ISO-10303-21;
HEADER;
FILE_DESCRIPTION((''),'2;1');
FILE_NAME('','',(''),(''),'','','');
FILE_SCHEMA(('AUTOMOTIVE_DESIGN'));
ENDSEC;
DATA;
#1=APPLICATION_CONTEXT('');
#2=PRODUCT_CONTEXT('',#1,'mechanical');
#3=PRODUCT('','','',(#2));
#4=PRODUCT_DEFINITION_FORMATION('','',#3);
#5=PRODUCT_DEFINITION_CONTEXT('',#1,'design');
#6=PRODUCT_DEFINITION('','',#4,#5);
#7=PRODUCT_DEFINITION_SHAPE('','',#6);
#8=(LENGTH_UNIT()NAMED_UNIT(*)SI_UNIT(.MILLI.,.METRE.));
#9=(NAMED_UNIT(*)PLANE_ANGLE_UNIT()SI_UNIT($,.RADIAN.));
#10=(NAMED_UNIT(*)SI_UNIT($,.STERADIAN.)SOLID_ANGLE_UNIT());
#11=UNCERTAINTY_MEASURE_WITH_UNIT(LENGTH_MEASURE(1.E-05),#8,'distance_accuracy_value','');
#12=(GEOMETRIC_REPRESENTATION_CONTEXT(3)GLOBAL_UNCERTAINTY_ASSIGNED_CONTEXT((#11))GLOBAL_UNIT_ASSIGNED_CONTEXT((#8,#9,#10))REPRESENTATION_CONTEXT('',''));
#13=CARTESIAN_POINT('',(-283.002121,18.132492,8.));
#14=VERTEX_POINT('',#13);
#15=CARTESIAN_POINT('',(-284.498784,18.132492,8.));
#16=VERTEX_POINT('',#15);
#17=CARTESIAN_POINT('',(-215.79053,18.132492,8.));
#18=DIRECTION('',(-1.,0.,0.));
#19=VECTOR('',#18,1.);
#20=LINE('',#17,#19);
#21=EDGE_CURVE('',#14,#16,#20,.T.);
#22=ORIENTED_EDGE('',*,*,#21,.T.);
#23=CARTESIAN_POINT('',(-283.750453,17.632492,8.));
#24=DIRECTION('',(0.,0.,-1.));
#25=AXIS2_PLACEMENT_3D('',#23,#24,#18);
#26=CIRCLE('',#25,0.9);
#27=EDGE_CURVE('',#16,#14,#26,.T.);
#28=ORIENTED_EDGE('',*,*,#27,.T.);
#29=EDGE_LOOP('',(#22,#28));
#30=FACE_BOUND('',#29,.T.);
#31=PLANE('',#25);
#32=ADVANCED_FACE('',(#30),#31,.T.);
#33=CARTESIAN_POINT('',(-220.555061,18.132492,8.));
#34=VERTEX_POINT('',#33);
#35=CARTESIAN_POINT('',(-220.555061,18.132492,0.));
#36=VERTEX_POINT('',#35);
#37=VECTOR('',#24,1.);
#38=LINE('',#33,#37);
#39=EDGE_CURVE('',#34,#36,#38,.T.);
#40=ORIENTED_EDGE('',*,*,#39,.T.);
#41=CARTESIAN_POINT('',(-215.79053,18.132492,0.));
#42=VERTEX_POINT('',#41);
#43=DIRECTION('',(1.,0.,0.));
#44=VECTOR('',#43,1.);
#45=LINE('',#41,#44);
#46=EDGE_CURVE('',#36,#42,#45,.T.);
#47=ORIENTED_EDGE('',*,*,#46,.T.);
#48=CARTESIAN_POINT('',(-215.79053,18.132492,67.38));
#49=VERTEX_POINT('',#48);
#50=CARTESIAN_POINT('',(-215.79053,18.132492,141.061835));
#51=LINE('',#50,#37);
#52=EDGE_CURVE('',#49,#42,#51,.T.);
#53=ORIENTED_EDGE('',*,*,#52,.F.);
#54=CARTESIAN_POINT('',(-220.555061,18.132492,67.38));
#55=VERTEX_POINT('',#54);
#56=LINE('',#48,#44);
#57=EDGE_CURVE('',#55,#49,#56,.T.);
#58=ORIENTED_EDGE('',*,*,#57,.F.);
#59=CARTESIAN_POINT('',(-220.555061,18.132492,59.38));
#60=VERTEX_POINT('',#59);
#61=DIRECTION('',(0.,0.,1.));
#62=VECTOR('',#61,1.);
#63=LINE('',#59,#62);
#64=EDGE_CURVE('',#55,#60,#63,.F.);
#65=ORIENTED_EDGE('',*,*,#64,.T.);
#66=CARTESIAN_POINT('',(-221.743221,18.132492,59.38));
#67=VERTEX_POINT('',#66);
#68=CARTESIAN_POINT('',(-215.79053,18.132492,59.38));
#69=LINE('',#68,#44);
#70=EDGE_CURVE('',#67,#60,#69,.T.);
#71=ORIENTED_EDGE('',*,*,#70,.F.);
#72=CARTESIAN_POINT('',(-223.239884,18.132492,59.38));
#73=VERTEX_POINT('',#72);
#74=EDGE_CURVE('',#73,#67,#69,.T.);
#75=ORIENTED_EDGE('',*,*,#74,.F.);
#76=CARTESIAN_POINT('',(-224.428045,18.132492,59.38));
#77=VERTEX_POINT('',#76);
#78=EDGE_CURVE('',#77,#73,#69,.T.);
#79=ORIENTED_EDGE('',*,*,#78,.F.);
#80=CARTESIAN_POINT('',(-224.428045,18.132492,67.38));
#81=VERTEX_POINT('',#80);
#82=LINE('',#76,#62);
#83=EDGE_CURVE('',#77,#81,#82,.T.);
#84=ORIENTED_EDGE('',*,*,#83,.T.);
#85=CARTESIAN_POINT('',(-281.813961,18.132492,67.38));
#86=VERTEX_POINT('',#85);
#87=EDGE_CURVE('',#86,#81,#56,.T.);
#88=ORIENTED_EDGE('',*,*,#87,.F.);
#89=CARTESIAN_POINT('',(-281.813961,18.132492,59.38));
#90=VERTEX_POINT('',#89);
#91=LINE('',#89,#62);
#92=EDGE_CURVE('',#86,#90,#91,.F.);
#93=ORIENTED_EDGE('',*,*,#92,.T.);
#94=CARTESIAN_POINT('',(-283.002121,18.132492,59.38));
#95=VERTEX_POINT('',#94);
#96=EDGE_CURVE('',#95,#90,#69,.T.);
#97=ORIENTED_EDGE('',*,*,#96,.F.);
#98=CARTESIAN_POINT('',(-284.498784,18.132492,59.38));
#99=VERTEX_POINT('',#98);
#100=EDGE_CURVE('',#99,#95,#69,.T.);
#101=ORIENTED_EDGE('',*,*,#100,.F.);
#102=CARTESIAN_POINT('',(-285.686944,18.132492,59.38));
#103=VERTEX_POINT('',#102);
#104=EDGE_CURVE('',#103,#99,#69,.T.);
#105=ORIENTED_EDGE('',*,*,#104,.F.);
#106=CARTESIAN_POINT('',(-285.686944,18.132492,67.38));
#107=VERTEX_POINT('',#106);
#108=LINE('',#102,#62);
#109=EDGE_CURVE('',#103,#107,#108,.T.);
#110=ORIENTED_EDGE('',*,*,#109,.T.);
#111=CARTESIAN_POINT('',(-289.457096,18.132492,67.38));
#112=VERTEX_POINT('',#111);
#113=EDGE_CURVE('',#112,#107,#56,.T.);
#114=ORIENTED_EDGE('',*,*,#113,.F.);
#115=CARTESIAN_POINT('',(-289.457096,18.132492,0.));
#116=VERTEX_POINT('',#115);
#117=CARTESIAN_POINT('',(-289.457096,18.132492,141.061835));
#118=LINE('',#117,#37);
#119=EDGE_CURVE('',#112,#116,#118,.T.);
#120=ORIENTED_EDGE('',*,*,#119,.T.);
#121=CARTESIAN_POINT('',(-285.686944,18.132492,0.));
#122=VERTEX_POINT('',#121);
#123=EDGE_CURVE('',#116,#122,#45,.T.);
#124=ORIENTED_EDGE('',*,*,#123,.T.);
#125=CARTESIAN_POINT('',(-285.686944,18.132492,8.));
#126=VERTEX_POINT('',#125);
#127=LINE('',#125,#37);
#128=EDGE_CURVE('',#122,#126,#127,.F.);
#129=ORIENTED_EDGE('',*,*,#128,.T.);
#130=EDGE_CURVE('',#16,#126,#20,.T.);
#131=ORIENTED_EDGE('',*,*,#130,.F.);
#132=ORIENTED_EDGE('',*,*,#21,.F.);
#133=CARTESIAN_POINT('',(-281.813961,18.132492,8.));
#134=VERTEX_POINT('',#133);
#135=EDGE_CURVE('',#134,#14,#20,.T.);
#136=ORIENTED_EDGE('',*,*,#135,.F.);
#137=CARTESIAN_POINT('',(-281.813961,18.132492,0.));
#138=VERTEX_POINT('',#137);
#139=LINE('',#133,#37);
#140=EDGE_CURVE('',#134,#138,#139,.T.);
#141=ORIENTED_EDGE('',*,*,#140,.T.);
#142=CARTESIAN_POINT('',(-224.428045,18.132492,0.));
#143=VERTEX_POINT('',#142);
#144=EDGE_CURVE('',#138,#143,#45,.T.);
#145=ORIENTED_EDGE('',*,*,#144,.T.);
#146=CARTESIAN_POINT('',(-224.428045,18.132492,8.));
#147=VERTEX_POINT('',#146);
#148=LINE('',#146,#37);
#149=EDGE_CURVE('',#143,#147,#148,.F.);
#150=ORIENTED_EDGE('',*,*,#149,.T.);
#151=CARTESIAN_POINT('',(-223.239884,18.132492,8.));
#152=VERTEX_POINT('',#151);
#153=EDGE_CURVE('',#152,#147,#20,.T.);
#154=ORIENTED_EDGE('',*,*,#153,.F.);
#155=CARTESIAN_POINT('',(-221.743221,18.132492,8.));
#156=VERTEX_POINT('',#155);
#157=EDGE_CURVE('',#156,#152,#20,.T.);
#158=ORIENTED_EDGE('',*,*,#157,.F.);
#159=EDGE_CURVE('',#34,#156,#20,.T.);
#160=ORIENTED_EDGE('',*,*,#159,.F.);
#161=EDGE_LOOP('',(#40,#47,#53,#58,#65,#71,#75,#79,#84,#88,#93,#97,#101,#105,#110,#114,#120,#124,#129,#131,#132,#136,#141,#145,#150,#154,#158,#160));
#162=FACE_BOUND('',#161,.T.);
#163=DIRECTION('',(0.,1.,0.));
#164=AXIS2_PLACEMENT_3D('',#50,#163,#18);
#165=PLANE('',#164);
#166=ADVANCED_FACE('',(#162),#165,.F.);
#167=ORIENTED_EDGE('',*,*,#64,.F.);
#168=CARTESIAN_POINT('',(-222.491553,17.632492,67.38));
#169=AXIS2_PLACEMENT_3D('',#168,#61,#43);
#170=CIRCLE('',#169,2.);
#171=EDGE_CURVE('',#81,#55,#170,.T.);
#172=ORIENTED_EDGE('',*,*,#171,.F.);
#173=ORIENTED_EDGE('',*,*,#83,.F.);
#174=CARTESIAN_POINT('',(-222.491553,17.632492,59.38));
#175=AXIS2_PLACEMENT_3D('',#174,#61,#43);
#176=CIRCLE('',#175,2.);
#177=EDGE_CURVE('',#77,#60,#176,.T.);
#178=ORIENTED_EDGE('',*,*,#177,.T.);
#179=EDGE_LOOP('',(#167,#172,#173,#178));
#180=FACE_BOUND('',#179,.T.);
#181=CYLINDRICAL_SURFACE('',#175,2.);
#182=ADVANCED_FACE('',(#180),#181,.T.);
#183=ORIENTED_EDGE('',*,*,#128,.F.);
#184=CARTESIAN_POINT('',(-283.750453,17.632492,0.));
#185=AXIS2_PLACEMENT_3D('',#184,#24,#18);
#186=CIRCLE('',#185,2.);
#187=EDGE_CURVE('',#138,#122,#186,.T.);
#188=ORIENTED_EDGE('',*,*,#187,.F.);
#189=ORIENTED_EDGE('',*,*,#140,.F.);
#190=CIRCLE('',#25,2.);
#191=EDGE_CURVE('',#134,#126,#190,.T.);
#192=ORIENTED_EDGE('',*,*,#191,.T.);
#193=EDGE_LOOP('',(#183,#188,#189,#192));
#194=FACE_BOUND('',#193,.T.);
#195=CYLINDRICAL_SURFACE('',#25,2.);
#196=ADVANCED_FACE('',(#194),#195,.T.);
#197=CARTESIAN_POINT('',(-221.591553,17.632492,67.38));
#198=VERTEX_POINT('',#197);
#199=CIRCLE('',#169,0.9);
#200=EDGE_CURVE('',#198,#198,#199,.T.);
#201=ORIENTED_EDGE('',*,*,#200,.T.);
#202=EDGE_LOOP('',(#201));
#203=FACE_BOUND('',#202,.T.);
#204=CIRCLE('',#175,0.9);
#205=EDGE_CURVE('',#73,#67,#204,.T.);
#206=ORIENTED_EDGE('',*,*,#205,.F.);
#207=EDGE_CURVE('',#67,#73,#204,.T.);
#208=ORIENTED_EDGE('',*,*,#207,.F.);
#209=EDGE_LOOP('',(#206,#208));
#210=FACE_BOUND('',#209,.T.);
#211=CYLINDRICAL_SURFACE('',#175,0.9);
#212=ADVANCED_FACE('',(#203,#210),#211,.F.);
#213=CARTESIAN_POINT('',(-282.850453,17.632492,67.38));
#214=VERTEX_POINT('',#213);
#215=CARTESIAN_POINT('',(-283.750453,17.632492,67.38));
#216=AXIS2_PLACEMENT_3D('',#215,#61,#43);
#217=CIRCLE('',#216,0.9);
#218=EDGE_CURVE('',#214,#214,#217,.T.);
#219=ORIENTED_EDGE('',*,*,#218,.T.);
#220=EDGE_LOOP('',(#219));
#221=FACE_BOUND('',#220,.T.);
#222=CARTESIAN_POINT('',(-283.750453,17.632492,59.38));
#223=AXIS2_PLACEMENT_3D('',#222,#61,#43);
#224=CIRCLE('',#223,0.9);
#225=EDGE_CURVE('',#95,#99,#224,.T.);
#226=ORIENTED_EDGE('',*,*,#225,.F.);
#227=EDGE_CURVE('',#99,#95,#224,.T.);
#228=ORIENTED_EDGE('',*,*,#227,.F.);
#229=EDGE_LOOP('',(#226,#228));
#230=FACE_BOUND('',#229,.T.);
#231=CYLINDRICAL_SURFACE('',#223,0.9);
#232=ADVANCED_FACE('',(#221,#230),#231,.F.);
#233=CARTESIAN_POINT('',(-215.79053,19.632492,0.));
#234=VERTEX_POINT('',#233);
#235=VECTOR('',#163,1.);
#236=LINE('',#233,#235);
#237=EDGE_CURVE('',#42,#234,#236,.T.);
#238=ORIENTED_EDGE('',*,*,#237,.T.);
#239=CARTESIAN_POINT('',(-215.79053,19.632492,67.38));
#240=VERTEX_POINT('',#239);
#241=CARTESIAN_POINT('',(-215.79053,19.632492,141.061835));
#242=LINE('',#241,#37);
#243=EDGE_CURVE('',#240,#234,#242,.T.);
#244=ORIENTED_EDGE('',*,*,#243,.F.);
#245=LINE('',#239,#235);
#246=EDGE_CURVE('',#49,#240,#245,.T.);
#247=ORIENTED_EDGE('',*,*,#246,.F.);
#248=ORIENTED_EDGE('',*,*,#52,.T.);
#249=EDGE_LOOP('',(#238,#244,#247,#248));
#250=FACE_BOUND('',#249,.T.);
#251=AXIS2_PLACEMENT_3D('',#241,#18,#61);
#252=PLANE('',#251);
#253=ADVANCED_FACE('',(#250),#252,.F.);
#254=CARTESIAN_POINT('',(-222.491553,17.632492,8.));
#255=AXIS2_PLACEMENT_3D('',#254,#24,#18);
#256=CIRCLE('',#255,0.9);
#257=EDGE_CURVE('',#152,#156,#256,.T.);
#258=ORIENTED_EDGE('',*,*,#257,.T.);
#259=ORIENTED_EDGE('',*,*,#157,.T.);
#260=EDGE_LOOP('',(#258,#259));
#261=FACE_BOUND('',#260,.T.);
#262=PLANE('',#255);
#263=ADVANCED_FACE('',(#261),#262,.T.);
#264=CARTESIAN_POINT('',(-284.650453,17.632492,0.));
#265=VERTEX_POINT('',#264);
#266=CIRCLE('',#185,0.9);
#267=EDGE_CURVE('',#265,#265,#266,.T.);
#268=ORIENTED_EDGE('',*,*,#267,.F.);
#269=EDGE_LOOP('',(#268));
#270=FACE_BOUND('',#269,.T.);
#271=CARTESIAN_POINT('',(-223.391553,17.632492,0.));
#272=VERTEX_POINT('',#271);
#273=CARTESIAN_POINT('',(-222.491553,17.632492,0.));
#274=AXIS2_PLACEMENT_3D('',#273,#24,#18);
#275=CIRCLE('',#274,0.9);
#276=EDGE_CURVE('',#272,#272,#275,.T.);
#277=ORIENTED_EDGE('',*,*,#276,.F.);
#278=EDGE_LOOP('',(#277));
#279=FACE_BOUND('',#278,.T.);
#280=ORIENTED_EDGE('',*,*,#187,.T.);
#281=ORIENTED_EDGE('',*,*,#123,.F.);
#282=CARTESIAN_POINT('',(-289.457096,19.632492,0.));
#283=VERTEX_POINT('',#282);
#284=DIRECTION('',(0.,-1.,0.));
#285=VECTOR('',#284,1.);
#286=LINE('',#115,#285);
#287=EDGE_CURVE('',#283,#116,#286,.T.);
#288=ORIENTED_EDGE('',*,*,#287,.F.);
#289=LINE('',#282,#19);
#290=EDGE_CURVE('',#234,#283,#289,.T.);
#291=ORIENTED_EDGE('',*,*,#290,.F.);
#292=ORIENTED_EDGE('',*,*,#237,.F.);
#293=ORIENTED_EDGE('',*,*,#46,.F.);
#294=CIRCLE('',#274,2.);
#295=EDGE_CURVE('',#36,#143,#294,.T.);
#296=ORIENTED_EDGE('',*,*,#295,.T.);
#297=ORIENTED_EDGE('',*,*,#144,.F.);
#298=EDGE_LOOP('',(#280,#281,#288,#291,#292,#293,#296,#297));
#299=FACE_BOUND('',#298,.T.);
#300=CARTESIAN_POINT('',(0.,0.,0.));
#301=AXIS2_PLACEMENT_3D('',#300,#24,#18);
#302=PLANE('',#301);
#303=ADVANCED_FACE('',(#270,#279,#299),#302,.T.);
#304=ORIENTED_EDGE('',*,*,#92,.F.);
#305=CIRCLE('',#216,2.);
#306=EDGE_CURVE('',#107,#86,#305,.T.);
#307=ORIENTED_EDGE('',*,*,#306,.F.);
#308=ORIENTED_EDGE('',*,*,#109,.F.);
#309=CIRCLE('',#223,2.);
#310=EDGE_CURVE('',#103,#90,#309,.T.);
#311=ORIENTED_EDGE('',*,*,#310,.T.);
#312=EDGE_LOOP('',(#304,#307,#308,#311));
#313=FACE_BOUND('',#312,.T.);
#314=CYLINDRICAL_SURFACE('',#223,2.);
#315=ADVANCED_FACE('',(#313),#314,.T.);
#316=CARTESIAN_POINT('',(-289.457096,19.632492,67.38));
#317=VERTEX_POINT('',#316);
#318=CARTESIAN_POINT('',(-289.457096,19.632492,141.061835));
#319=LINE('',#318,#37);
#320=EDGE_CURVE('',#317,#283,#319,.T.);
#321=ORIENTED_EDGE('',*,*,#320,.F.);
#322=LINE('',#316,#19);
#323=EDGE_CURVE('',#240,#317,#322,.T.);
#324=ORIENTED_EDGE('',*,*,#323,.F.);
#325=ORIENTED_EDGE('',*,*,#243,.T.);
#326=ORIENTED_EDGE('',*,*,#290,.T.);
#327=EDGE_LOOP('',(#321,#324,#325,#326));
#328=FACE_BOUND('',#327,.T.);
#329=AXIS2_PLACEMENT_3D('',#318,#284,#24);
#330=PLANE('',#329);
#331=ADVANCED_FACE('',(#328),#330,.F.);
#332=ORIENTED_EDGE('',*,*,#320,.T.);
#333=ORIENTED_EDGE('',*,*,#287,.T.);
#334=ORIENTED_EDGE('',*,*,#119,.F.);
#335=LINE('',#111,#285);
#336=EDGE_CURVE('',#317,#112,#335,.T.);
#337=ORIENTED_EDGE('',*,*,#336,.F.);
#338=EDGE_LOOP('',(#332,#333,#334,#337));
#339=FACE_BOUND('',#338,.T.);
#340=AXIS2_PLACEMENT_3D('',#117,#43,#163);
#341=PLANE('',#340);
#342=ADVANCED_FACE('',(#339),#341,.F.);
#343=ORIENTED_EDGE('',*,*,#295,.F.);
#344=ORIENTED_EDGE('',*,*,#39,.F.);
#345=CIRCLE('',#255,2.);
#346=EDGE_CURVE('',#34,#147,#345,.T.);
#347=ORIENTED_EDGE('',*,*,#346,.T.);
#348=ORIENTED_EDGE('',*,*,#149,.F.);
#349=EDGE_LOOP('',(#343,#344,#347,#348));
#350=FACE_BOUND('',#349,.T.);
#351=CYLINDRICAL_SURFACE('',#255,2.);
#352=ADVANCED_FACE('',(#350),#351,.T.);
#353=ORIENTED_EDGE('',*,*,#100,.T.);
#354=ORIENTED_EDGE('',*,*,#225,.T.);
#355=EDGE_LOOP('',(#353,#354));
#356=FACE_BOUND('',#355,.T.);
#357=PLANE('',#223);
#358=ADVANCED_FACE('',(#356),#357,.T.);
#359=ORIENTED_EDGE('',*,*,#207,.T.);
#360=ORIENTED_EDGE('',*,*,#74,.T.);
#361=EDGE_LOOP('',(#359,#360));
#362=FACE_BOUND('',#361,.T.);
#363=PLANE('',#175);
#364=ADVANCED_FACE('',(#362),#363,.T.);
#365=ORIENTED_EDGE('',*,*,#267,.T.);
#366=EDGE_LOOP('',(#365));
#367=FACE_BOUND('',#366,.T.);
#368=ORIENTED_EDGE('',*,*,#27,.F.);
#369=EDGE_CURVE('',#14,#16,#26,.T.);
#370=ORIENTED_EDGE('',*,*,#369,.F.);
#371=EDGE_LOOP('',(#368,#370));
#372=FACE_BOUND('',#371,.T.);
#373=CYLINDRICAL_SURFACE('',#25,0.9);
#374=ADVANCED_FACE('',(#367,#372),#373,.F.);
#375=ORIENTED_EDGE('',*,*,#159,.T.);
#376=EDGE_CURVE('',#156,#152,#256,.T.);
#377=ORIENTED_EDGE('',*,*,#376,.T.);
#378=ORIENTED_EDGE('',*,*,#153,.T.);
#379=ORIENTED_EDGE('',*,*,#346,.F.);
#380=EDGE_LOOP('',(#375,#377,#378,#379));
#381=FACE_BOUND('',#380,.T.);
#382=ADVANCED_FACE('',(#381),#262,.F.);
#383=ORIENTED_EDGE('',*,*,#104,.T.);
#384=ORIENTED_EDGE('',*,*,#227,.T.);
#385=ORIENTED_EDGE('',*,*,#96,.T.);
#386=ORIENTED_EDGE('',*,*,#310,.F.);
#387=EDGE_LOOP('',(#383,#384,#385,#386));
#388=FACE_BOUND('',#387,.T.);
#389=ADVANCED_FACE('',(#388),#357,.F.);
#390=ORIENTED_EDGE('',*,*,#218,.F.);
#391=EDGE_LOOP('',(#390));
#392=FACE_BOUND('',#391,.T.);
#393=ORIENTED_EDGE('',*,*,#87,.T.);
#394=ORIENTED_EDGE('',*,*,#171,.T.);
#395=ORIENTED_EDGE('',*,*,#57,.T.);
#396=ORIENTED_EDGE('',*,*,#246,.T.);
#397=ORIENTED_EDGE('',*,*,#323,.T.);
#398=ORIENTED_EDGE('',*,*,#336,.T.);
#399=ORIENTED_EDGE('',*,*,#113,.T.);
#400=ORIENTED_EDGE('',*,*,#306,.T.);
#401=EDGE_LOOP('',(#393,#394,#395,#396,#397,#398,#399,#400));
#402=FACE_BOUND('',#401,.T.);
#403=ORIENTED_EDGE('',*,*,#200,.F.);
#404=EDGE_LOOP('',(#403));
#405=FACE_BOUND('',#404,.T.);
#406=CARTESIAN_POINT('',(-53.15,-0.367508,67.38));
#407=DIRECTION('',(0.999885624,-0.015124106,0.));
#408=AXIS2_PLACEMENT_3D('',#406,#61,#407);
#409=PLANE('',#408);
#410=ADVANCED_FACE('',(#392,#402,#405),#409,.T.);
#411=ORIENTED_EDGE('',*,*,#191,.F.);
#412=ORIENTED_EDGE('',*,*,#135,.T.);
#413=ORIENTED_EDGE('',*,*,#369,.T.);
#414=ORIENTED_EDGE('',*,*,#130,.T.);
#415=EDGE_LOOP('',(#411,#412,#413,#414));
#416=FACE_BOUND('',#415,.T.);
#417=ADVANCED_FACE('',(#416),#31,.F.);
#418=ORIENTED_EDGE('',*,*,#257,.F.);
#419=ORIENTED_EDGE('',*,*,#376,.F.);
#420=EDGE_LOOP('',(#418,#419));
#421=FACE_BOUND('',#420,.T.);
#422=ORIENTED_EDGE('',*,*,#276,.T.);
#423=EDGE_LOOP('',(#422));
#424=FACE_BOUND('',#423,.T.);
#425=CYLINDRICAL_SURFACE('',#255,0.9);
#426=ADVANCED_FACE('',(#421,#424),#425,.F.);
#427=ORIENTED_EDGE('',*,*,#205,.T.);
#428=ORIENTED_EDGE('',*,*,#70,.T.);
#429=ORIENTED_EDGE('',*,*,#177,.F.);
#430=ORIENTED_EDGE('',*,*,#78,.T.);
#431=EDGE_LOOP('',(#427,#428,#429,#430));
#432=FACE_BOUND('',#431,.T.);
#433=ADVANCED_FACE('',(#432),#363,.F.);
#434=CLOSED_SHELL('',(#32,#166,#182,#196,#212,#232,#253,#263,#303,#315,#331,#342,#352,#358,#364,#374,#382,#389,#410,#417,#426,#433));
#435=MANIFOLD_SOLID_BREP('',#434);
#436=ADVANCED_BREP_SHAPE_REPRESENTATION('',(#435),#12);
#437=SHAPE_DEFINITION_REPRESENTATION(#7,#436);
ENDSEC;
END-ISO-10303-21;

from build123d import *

# Parameters (mm, degrees)
SKETCH1_W           = 73.66656521
SKETCH1_H           = 1.5
BOSS_EXTRUDE1_DEPTH = 67.38
SKETCH2_R           = 2
BOSS_EXTRUDE2_DEPTH = 8
SKETCH3_R           = 0.9
CUT_EXTRUDE1_DEPTH  = 8
SKETCH4_R           = 2
BOSS_EXTRUDE3_DEPTH = 8
SKETCH5_R           = 0.9
CUT_EXTRUDE2_DEPTH  = 8


with BuildPart() as part:
    # Sketch1 → Boss-Extrude1 (new body)
    with BuildSketch(Plane.XY):
        with Locations((-252.623812979, 18.882492425)):
            Rectangle(SKETCH1_W, SKETCH1_H)
    extrude(amount=BOSS_EXTRUDE1_DEPTH)

    # Sketch2 → Boss-Extrude2 (add)
    with BuildSketch(Plane(origin=(0, 0, 0), x_dir=(-1, 0, 0), z_dir=(0, 0, -1))):
        with Locations((283.750452743, 17.632492425)):
            Circle(SKETCH2_R)
        with Locations((222.491552839, 17.632492425)):
            Circle(SKETCH2_R)
    extrude(amount=-BOSS_EXTRUDE2_DEPTH)

    # Sketch3 → Cut-Extrude1 (cut)
    with BuildSketch(Plane(origin=(0, 0, 0), x_dir=(-1, 0, 0), z_dir=(0, 0, -1))):
        with Locations((222.491552839, 17.632492425)):
            Circle(SKETCH3_R)
        with Locations((283.750452743, 17.632492425)):
            Circle(SKETCH3_R)
    extrude(amount=-CUT_EXTRUDE1_DEPTH, mode=Mode.SUBTRACT)

    # Sketch4 → Boss-Extrude3 (add)
    with BuildSketch(Plane.XY.offset(67.38)):
        with Locations((-222.491552839, 17.632492425)):
            Circle(SKETCH4_R)
        with Locations((-283.750452743, 17.632492425)):
            Circle(SKETCH4_R)
    extrude(amount=-BOSS_EXTRUDE3_DEPTH)

    # Sketch5 → Cut-Extrude2 (cut)
    with BuildSketch(Plane.XY.offset(67.38)):
        with Locations((-283.750452743, 17.632492425)):
            Circle(SKETCH5_R)
        with Locations((-222.491552839, 17.632492425)):
            Circle(SKETCH5_R)
    extrude(amount=-CUT_EXTRUDE2_DEPTH, mode=Mode.SUBTRACT)


solid = part.part
